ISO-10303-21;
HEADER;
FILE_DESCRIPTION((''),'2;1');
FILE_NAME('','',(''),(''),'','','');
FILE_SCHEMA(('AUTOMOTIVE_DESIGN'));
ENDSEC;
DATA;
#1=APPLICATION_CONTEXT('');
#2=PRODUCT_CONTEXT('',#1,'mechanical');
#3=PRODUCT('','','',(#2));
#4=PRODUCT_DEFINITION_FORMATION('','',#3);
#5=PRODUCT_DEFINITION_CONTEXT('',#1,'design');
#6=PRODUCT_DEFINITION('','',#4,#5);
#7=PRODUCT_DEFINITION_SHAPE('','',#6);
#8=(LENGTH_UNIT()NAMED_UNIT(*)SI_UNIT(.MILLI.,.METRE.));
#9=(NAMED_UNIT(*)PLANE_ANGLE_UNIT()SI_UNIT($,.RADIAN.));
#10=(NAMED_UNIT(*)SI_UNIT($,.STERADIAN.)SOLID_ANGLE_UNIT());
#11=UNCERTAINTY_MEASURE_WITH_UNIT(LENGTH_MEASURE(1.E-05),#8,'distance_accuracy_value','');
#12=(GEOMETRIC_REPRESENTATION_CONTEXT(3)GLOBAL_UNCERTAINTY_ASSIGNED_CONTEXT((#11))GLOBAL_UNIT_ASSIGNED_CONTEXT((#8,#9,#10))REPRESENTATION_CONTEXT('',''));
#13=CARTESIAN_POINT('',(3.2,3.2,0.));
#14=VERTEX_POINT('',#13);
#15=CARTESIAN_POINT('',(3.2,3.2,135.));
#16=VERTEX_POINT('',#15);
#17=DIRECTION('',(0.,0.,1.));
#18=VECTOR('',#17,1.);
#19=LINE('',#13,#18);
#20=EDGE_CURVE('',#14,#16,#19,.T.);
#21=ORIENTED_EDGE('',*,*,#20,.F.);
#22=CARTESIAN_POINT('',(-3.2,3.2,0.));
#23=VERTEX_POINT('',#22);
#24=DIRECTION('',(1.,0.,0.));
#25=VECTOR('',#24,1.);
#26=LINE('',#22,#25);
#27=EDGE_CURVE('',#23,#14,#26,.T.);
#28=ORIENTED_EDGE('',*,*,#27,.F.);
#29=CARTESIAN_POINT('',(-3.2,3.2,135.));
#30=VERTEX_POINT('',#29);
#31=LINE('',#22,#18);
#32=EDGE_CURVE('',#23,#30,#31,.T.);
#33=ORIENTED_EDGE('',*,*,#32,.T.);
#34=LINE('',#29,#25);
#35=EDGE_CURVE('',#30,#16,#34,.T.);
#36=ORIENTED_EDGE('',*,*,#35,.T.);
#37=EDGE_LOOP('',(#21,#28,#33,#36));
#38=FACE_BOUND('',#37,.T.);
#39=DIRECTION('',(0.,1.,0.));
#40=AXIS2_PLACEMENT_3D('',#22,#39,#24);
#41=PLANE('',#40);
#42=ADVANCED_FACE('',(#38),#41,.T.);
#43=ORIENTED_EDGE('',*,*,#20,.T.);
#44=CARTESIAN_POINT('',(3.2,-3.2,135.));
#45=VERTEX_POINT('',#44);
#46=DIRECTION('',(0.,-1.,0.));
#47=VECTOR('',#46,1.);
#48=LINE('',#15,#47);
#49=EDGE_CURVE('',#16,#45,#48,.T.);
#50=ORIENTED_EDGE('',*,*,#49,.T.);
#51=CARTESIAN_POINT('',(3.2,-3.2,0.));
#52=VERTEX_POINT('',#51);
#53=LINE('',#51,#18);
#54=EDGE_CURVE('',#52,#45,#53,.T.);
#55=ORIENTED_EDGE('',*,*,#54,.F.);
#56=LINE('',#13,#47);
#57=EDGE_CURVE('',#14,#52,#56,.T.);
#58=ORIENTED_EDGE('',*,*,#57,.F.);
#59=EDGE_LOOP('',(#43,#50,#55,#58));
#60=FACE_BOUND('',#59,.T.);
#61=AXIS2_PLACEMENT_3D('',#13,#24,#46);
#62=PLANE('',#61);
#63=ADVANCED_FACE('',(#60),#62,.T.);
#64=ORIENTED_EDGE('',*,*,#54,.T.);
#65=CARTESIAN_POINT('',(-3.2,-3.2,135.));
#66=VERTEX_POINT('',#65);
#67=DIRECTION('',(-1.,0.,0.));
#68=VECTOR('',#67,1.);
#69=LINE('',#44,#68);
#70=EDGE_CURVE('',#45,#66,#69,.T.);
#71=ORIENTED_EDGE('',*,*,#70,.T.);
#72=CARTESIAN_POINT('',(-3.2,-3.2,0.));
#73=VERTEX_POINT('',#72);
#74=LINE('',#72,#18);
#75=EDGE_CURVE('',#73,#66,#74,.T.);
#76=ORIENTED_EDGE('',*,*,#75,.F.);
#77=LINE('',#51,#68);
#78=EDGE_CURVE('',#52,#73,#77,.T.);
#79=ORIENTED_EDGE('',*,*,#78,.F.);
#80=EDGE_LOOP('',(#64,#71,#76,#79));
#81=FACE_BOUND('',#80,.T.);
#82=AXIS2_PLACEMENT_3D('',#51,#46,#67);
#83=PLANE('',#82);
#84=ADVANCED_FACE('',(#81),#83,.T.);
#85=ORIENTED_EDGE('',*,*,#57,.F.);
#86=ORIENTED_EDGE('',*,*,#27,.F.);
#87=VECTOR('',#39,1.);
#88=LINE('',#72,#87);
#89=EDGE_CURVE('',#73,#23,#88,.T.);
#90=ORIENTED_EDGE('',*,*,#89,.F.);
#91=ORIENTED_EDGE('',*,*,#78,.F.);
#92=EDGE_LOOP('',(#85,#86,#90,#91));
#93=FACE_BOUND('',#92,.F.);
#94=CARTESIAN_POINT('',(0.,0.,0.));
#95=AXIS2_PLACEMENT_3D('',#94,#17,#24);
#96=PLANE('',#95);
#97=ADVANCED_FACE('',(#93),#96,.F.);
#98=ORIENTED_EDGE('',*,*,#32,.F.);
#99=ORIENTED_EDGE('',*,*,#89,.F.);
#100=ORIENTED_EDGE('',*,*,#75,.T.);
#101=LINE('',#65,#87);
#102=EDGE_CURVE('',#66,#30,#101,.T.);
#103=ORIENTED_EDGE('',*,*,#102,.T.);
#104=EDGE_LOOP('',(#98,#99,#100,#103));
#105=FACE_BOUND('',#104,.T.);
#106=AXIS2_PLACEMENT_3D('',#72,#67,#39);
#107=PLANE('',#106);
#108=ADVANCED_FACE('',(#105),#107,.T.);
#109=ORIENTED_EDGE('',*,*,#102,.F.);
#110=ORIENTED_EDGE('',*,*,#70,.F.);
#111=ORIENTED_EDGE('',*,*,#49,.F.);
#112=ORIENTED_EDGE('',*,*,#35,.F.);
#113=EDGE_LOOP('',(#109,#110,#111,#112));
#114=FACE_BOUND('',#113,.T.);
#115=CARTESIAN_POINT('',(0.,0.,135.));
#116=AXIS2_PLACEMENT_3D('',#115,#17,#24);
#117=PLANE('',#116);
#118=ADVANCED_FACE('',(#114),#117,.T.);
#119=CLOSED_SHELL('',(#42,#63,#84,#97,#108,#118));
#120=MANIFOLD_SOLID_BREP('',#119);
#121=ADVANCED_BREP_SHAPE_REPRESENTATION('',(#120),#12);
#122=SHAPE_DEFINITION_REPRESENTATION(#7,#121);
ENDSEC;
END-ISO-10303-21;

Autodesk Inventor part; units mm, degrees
ref_plane "YZ Plane" through (0, 0, 0) normal (1, 0, 0) x (0, 1, 0)
ref_plane "XZ Plane" through (0, 0, 0) normal (0, 1, 0) x (-1, 0, 0)
ref_plane "XY Plane" through (0, 0, 0) normal (0, 0, 1) x (1, 0, 0)
sketch "Boceto1" plane through (0, 0, 0) normal (0, 0, 1) x (1, 0, 0)
  line L0 (3.2, -3.2) -> (-3.2, -3.2)
  line L1 (-3.2, -3.2) -> (-3.2, 3.2)
  line L2 (-3.2, 3.2) -> (3.2, 3.2)
  line L3 (3.2, 3.2) -> (3.2, -3.2)
  line L4 (3.2, -3.2) -> (-3.2, 3.2) construction
  line L5 (-3.2, -3.2) -> (3.2, 3.2) construction
  point P0 (0, 0)
  dimension "d0" = 6.4
  dimension "d1" = 6.4
extrude "Extrusión1" add sketch "Boceto1" along normal blind 135
